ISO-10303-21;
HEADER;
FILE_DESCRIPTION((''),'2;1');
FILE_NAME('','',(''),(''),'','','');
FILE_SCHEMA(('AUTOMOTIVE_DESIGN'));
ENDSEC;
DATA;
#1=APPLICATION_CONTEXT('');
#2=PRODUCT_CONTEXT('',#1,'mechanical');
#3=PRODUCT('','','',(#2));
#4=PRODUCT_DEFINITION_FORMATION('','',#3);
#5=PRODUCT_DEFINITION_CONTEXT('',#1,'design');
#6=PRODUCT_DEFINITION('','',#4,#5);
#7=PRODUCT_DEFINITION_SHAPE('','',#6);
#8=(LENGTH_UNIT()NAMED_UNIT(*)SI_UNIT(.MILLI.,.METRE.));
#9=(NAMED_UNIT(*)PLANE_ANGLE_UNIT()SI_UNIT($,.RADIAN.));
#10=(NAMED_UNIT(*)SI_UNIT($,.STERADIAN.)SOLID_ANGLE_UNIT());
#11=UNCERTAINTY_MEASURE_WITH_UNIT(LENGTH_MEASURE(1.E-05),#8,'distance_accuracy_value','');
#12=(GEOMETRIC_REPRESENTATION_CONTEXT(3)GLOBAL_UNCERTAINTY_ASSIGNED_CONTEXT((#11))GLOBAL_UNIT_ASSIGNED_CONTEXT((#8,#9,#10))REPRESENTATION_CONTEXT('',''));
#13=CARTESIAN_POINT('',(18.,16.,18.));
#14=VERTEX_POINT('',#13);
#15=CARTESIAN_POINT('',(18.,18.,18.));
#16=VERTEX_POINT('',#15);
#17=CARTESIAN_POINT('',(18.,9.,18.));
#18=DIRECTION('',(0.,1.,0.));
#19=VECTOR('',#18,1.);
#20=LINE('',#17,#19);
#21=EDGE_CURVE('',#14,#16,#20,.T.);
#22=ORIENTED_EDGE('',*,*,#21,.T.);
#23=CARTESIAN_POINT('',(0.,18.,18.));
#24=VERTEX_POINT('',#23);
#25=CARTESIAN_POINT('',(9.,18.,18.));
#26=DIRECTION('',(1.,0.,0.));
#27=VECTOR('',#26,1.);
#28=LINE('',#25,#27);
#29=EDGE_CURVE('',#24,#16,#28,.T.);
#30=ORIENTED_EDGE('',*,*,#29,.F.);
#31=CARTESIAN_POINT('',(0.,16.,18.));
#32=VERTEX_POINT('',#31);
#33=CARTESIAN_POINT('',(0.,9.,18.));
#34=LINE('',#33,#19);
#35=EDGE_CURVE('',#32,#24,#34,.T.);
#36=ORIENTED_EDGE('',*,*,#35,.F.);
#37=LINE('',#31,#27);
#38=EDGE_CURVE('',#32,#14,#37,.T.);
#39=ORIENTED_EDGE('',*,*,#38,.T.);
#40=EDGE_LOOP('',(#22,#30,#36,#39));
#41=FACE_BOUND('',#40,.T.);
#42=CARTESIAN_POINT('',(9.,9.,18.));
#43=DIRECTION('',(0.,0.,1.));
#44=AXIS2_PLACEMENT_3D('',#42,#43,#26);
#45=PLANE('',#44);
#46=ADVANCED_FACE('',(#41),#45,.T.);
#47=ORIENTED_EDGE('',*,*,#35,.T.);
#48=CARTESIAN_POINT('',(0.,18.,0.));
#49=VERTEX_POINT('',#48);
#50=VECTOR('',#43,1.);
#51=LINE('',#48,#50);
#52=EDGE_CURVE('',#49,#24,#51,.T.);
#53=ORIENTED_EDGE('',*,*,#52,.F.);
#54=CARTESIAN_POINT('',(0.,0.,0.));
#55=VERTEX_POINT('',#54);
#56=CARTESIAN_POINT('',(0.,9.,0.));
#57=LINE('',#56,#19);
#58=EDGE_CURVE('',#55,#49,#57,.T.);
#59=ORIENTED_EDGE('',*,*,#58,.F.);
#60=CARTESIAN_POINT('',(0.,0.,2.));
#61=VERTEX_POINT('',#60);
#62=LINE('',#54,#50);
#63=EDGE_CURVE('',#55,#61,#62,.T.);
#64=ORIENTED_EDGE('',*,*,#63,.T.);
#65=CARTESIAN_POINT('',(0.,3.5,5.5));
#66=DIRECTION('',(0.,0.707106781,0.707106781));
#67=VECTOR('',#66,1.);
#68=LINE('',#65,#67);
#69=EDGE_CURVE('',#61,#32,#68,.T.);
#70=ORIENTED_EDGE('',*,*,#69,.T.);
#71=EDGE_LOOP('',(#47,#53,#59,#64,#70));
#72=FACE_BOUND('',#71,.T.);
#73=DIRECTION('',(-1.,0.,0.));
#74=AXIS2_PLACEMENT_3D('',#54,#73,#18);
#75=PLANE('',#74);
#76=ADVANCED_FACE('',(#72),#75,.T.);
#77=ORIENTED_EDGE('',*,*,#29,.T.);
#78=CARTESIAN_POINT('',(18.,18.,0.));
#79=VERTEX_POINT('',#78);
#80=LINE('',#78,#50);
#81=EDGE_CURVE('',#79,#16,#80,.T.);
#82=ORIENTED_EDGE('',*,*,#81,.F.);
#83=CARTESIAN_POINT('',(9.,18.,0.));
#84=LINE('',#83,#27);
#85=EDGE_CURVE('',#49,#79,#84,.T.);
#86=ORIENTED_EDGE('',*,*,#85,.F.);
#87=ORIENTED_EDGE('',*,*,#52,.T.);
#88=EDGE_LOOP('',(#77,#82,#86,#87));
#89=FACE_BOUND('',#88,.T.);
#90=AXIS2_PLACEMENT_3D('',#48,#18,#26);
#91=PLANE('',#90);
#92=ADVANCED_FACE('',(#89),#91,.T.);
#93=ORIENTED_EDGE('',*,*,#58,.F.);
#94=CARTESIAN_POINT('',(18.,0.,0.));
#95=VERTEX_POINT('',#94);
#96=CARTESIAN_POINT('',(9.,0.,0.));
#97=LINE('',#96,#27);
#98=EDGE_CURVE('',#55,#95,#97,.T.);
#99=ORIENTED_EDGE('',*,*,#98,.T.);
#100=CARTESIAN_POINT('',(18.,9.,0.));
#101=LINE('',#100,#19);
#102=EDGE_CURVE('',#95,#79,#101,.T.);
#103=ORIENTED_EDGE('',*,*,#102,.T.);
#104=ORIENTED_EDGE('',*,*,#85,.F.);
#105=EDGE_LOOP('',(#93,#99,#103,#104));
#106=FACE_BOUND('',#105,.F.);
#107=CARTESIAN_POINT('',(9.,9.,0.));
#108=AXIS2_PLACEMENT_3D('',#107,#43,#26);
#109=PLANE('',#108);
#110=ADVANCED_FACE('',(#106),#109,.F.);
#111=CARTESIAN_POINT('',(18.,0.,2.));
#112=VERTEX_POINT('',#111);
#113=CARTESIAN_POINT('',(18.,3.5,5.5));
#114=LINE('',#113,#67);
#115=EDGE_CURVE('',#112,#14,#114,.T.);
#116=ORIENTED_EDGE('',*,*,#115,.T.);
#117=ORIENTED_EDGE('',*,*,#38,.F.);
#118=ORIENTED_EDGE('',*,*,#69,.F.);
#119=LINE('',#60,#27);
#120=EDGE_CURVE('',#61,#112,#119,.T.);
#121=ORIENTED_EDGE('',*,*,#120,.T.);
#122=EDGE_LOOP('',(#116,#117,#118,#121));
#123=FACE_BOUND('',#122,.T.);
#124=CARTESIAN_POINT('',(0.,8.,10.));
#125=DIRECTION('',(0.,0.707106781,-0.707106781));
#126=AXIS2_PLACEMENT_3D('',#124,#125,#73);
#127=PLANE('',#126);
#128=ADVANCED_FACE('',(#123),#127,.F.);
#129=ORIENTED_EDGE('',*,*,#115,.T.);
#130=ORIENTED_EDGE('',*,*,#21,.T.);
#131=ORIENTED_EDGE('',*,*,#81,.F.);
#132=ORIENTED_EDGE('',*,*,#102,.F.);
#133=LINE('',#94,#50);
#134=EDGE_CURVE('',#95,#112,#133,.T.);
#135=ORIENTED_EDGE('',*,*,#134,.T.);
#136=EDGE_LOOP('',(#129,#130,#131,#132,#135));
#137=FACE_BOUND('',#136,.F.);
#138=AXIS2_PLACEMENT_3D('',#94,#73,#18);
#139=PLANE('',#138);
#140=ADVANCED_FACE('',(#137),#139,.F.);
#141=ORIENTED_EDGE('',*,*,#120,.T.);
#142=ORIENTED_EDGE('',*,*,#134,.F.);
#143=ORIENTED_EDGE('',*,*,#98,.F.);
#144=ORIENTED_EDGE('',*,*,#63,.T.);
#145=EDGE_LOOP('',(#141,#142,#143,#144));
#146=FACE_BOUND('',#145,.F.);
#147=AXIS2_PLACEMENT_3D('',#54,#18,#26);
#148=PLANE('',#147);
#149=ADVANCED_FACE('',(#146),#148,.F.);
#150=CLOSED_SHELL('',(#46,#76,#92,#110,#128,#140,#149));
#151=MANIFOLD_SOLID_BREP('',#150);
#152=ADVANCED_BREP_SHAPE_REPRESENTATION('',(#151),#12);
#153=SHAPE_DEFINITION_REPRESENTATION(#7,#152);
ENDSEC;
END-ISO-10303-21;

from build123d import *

# Parameters (mm, degrees)
SKETCH_W     = 18
SKETCH_H     = 18
PAD_DEPTH    = 18
CHAMFER_SIZE = 16


with BuildPart() as part:
    # Sketch → Pad (new body)
    with BuildSketch(Plane.XY):
        with Locations((9, 9)):
            Rectangle(SKETCH_W, SKETCH_H)
    extrude(amount=PAD_DEPTH)

    # Chamfer
    chamfer_edges = [part.edges().sort_by_distance(p)[0] for p in [
        (9, 0, 18),
    ]]
    chamfer(chamfer_edges, length=CHAMFER_SIZE)


solid = part.part
